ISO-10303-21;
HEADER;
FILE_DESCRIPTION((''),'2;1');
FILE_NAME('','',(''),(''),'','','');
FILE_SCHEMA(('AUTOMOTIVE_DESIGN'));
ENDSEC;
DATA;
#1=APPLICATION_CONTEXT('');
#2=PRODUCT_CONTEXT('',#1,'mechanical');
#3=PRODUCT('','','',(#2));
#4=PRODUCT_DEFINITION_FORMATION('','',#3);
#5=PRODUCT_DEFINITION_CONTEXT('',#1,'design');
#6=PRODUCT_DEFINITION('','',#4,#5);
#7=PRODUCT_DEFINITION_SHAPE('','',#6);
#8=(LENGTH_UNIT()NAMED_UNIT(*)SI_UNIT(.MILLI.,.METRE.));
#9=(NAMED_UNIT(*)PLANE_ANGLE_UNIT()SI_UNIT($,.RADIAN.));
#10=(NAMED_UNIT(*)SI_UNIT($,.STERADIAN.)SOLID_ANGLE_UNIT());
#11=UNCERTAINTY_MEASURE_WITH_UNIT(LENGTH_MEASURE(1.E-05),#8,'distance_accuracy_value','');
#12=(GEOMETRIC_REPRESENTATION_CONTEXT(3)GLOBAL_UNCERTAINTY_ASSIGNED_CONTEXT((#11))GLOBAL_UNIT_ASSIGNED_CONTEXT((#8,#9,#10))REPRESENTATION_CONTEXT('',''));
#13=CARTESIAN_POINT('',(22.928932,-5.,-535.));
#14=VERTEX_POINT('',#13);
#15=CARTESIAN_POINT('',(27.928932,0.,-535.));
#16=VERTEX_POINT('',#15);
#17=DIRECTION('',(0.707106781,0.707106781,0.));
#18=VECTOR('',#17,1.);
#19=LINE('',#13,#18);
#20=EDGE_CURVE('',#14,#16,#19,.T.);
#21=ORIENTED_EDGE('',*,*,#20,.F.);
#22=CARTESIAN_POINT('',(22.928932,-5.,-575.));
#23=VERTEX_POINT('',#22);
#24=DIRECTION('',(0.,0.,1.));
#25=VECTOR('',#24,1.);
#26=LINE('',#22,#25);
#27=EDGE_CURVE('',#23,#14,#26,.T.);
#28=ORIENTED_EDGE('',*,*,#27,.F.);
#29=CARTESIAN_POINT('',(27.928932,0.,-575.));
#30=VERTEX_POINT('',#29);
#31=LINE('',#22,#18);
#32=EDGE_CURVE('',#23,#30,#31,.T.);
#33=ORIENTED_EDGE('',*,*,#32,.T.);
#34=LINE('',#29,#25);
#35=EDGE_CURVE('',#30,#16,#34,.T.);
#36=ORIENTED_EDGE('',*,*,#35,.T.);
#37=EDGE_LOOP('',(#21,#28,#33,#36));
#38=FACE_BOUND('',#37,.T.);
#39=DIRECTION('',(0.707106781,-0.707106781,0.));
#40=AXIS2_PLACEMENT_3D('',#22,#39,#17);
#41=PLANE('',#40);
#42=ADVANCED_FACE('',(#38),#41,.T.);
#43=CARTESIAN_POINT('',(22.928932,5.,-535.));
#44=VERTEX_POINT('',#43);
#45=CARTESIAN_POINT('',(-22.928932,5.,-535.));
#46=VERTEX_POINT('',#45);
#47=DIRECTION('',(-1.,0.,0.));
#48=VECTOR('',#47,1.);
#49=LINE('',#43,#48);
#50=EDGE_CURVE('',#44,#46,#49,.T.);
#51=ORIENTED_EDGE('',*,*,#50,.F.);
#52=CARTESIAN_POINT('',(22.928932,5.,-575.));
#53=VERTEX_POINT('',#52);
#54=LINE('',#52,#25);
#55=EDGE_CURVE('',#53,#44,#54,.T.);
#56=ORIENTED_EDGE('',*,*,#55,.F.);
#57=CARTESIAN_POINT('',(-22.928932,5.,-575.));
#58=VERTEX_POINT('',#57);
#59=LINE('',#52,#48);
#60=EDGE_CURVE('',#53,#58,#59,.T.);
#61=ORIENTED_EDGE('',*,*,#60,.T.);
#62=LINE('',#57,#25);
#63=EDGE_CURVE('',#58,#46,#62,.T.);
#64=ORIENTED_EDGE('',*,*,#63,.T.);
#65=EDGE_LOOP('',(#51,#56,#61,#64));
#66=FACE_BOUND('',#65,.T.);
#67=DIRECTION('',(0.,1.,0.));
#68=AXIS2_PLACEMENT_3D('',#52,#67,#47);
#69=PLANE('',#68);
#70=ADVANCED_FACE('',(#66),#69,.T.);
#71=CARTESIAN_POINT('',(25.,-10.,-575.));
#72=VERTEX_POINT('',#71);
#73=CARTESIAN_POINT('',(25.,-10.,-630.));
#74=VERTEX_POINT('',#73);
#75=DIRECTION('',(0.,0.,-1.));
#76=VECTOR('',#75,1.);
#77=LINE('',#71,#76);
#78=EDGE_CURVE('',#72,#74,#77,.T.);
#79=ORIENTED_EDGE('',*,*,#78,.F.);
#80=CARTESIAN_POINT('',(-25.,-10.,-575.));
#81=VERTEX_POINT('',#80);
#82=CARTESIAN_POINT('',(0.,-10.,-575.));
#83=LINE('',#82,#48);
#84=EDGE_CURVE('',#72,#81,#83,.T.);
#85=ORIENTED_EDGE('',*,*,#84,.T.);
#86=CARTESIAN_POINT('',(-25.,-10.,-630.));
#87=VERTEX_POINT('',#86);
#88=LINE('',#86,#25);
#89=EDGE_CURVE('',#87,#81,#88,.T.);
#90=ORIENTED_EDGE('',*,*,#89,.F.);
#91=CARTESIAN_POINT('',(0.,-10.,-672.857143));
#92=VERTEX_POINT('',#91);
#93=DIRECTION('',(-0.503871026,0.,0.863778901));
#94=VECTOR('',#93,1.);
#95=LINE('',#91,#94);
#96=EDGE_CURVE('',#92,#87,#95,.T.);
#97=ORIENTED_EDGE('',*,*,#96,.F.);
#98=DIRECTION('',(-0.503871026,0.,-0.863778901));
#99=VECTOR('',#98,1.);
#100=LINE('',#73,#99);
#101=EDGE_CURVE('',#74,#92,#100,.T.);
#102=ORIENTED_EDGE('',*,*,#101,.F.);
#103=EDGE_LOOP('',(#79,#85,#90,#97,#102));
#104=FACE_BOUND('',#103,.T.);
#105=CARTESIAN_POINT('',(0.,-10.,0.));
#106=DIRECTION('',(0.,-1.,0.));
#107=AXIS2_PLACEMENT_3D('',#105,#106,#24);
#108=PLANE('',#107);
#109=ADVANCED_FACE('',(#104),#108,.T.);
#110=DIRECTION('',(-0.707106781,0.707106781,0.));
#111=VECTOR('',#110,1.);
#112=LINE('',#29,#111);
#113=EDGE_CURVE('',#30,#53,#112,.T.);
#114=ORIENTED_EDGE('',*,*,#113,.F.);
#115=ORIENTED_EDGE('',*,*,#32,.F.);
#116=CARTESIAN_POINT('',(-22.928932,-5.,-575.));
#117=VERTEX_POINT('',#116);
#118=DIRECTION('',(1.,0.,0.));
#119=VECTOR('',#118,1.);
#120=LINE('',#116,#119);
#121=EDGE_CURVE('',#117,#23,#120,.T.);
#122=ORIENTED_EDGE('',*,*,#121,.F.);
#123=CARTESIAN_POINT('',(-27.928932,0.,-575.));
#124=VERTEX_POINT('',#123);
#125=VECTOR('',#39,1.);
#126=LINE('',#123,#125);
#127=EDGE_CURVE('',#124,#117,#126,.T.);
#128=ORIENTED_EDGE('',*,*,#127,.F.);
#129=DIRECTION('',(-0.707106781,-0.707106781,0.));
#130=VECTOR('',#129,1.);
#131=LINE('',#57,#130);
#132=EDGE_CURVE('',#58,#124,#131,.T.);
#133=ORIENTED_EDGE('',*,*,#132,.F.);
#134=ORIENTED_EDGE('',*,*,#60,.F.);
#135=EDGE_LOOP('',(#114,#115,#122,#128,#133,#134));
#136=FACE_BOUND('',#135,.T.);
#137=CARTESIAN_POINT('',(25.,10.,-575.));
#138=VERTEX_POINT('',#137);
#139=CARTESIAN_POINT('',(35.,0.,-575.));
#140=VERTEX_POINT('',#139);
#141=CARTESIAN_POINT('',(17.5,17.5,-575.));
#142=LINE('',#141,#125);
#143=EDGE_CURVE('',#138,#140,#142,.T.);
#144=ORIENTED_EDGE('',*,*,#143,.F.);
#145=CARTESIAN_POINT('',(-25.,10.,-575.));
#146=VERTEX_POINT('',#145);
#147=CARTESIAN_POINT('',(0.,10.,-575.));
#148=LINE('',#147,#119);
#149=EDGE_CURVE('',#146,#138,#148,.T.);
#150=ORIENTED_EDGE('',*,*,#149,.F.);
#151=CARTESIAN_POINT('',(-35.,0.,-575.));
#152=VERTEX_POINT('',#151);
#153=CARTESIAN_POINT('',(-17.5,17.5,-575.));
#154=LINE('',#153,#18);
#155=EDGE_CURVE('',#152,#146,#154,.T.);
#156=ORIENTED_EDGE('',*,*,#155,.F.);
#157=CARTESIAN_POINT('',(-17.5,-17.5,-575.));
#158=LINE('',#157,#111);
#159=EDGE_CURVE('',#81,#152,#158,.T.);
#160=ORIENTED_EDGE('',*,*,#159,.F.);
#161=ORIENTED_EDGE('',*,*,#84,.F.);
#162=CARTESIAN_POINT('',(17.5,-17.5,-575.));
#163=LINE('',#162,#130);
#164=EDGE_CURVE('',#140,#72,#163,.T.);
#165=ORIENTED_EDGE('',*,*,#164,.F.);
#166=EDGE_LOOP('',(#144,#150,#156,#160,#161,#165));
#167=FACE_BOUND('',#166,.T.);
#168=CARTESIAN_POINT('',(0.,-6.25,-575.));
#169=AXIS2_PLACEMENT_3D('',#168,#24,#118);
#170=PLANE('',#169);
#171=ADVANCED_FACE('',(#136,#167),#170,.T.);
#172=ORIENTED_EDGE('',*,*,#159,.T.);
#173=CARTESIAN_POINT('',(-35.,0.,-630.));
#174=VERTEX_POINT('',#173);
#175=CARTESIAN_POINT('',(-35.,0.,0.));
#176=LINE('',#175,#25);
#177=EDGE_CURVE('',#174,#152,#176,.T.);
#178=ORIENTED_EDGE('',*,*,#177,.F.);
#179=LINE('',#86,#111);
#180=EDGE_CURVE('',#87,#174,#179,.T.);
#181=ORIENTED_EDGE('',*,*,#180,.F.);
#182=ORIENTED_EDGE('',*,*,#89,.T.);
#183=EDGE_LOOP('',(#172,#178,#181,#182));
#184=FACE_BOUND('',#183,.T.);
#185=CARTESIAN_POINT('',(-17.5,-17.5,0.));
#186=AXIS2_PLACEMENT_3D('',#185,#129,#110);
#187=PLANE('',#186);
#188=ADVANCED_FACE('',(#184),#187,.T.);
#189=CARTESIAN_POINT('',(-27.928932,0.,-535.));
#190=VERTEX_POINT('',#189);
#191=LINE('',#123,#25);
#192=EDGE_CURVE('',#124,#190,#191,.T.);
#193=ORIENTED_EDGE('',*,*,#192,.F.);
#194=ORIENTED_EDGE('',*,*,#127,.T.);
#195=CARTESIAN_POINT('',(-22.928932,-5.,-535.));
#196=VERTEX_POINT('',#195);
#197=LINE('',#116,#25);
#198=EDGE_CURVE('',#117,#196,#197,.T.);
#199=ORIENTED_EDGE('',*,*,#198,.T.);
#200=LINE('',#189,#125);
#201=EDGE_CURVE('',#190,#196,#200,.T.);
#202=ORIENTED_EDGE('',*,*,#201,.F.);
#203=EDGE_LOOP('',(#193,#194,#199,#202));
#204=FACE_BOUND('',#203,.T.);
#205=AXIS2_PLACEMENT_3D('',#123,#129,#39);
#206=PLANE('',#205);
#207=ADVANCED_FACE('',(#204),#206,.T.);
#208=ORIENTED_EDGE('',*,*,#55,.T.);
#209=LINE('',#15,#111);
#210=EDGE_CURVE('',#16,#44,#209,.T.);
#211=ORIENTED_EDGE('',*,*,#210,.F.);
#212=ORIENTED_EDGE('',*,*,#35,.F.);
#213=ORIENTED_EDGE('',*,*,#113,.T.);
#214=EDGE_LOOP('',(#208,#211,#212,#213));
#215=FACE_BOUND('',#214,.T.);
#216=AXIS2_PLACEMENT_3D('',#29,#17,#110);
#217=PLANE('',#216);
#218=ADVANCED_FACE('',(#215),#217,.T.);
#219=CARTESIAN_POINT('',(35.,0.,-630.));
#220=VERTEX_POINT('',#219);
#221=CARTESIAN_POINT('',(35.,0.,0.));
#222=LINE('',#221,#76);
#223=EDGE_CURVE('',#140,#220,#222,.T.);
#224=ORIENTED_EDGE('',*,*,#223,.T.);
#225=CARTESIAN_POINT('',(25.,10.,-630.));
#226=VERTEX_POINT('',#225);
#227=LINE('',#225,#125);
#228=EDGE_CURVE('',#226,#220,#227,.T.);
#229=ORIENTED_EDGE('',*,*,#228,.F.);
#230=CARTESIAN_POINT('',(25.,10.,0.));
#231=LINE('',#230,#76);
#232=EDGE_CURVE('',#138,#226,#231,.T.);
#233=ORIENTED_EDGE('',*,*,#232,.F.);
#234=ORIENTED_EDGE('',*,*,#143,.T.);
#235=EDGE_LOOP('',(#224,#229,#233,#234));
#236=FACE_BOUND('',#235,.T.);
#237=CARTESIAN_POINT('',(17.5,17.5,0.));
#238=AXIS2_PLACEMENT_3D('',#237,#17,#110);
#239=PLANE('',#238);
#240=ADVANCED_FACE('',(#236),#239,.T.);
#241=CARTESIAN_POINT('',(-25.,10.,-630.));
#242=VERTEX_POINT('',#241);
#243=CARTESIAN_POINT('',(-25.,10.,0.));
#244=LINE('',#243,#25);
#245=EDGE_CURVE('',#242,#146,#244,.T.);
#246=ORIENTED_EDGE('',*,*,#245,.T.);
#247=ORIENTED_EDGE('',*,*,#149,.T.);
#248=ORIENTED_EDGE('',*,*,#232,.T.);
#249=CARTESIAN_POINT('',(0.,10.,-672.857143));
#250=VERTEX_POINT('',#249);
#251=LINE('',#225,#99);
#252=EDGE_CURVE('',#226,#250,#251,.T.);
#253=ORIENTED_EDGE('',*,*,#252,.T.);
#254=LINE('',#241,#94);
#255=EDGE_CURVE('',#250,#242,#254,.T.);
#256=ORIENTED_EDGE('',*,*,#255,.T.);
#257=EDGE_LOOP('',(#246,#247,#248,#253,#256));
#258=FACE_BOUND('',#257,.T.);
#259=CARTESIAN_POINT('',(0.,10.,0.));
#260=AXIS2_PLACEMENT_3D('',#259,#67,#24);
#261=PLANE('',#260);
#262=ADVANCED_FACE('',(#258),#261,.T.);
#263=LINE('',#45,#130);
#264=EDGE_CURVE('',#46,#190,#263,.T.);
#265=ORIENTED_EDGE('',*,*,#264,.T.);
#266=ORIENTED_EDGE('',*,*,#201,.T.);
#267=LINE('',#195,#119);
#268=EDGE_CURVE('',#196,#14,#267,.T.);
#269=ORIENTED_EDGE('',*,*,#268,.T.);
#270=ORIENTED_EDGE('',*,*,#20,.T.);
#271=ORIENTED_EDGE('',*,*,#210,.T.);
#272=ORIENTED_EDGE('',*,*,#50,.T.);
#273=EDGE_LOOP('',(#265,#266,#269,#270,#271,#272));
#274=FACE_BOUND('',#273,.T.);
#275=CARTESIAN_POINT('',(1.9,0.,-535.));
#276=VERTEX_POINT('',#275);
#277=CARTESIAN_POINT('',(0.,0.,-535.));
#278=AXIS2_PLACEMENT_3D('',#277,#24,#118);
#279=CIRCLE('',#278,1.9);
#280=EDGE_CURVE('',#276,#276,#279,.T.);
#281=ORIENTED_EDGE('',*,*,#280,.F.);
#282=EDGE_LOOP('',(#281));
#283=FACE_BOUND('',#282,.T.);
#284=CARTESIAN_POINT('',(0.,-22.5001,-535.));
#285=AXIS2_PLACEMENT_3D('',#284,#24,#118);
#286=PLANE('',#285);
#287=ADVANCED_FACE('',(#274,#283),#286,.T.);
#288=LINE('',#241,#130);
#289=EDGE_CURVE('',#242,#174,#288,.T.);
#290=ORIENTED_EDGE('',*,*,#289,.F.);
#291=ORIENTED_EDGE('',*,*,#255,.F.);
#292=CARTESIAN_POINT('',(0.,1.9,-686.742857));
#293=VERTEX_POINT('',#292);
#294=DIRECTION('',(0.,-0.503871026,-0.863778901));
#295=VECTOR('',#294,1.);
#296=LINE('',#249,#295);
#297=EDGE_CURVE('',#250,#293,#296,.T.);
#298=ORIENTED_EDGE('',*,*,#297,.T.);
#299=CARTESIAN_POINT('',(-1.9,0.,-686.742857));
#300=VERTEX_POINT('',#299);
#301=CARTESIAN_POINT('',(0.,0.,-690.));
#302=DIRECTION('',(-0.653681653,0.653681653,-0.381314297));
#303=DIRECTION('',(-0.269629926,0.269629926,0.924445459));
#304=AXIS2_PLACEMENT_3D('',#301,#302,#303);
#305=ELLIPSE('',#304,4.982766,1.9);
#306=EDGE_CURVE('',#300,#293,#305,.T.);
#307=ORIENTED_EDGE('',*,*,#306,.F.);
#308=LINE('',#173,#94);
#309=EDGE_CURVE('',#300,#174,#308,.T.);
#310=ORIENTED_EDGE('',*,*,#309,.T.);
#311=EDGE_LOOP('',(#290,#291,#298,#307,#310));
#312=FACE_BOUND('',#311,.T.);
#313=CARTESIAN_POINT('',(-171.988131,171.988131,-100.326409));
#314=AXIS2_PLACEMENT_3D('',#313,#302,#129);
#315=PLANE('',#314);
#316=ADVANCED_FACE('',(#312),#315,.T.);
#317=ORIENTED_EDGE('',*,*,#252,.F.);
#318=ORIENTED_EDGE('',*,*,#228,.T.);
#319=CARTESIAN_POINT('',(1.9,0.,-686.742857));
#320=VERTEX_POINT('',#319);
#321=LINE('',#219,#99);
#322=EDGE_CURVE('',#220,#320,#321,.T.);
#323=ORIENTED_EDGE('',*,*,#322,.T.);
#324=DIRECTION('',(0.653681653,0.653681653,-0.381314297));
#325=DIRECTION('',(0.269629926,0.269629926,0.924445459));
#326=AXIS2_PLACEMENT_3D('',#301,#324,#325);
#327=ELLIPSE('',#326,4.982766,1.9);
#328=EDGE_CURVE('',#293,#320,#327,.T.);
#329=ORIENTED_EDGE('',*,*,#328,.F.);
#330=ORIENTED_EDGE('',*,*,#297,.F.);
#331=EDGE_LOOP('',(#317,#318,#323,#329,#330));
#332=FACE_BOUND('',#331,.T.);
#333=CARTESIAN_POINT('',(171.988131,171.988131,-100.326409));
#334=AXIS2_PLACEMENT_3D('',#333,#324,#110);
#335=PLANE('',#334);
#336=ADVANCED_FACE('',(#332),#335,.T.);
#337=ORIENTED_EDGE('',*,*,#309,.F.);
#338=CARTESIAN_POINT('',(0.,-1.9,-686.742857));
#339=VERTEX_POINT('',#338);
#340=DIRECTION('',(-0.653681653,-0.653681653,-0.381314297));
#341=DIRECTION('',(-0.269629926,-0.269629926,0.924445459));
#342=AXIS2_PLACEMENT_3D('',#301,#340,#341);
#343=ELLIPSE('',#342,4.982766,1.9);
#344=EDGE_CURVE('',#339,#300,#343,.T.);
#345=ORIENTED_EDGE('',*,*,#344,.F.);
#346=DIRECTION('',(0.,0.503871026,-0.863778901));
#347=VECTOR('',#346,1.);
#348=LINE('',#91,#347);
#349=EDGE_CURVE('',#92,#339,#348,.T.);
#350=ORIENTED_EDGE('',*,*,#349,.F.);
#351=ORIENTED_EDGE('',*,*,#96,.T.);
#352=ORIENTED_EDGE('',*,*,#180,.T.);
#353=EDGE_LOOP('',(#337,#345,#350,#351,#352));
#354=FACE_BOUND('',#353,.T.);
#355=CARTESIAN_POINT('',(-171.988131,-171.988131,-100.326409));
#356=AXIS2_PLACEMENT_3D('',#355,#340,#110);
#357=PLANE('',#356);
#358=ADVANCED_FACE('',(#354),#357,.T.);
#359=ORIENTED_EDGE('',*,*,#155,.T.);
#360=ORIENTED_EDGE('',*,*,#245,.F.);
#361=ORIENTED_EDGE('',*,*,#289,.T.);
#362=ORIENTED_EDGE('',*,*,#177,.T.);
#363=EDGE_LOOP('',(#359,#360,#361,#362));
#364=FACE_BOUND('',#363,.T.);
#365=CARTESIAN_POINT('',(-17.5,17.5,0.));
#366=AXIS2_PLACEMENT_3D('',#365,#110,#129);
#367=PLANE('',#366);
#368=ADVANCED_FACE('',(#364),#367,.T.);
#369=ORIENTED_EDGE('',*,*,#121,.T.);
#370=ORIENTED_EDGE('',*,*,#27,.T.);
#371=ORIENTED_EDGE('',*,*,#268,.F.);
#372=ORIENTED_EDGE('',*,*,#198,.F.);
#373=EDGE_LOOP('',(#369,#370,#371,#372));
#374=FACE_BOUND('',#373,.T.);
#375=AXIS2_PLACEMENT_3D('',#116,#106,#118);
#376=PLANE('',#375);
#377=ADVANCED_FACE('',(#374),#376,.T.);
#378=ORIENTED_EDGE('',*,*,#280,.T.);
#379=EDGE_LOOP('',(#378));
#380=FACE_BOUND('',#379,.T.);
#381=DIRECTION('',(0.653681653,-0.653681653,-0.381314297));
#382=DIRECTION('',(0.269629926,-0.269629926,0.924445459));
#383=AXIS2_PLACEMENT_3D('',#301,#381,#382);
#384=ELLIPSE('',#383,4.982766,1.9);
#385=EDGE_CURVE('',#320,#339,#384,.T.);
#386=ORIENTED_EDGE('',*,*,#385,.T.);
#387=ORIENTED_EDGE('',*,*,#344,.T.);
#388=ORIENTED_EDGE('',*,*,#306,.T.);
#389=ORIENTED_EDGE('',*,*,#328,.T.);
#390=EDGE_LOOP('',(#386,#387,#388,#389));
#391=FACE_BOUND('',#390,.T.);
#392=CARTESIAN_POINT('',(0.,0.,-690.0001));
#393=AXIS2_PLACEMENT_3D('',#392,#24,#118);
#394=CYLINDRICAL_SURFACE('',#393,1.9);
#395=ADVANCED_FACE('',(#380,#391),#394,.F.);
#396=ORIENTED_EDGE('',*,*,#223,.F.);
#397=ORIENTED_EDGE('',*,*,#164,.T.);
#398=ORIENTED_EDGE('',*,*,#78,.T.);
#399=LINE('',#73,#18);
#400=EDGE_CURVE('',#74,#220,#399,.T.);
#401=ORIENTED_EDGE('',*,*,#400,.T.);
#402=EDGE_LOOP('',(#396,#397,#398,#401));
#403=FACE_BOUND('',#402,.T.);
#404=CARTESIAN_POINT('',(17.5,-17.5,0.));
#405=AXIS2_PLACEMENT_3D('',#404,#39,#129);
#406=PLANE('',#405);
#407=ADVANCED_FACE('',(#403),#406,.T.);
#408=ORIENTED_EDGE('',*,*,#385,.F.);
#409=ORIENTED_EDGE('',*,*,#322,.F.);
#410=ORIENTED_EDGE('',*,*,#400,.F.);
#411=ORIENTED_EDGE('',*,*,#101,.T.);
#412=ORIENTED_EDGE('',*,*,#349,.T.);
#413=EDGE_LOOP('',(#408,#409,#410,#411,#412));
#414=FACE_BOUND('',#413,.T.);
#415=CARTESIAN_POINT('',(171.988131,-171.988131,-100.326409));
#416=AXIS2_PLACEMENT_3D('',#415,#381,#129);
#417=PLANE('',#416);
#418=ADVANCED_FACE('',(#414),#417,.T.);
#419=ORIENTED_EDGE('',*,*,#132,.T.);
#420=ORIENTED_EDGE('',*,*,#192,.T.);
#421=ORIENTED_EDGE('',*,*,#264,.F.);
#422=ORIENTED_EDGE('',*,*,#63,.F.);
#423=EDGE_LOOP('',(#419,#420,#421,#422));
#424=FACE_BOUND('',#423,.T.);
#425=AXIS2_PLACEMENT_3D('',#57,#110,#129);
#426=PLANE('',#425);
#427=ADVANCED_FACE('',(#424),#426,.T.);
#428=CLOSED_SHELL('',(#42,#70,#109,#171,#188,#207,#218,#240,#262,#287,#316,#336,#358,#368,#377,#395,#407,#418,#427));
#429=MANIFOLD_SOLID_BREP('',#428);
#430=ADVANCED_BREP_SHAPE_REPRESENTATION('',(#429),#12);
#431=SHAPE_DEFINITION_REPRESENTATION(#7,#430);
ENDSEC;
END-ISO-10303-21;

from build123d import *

# Parameters (mm, degrees)
EXTRUDE_1_DEPTH          = 18
CHAMFER_1_SIZE           = 5
CHAMFER_2_SIZE           = 5
CUT_EXTRUDE_1_DEPTH      = 8
EXTRUDE_2_REACH          = 696.741
EXTRUDE_2_END_RADIUS     = 240
EXTRUDE_3_DEPTH          = 5
EXTRUDE_4_REACH          = 929.644
EXTRUDE_4_END_RADIUS     = 232
SKETCH_10_R              = 12
CUT_EXTRUDE_7_DEPTH      = 695.872110635
CUT_EXTRUDE_7_DEPTH_BACK = 695.872110635
SKETCH_16_OUTSIDE_W      = 362.68
SKETCH_16_OUTSIDE_H      = 1204.68
SKETCH_16_OUTSIDE_W_2    = 100
SKETCH_16_OUTSIDE_H_2    = 155
SKETCH_21_R              = 1.9
CUT_EXTRUDE_17_DEPTH     = 160.216833407
SKETCH_34_OUTSIDE_W      = 105.66
SKETCH_34_OUTSIDE_H      = 55.66
CUT_EXTRUDE_18_DEPTH     = 40


with BuildPart() as part:
    # 草图4 → 放样1 section 0
    with BuildSketch(Plane(origin=(0, 10, 0), x_dir=(1, 0, 0), z_dir=(0, 1, 0))):
        with BuildLine():
            Line((25, 0), (-25, 0))
            Line((-25, 0), (-25, 630))
            Line((-25, 630), (0, 672.857142857))
            Line((0, 672.857142857), (25, 630))
            Line((25, 630), (25, 0))
        make_face()
    # 草图1 → 放样1 section 1
    with BuildSketch(Plane(origin=(0, 0, 0), x_dir=(1, 0, 0), z_dir=(0, 1, 0))):
        with BuildLine():
            Line((-35, 0), (35, 0))
            Line((35, 0), (35, 630))
            Line((35, 630), (0, 690))
            Line((0, 690), (-35, 630))
            Line((-35, 630), (-35, 0))
        make_face()
    loft_1 = loft()

    # 镜向1: 放样1 across plane
    add(loft_1.mirror(Plane.ZX))



with BuildPart() as body_2:
    # 草图5 → 凸台-拉伸1 (new, symmetric)
    with BuildSketch(Plane(origin=(0, 0, 0), x_dir=(1, 0, 0), z_dir=(0, 1, 0))):
        with BuildLine():
            ThreePointArc((-66.346774613, -65.189169183), (0, -55.5), (66.346774613, -65.189169183))
            ThreePointArc((66.346774613, -65.189169183), (73.061224406, -64.270510235), (76.791165228, -58.612302768))
            ThreePointArc((76.791165228, -58.612302768), (79, -30.5), (76.791165228, -2.387697232))
            ThreePointArc((76.791165228, -2.387697232), (0, -15.004503167), (-76.791165228, -2.387697232))
            ThreePointArc((-76.791165228, -2.387697232), (-79, -30.5), (-76.791165228, -58.612302768))
            ThreePointArc((-76.791165228, -58.612302768), (-73.061224406, -64.270510235), (-66.346774613, -65.189169183))
        make_face()
    extrude(amount=EXTRUDE_1_DEPTH, both=True)

    # 倒角1
    chamfer_1_edges = [body_2.edges().sort_by_distance(p)[0] for p in [
        (0, 18, 15.004503167),
        (-79, 18, 30.5),
        (-73.061224406, 18, 64.270510235),
        (0, 18, 55.5),
        (73.061224406, 18, 64.270510235),
        (0, -18, 55.5),
        (-73.061224406, -18, 64.270510235),
        (-79, -18, 30.5),
        (79, -18, 30.5),
        (73.061224406, -18, 64.270510235),
        (79, 18, 30.5),
    ]]
    chamfer(chamfer_1_edges, length=CHAMFER_1_SIZE)

    # 倒角2
    chamfer_2_edges = [body_2.edges().sort_by_distance(p)[0] for p in [
        (0, -18, 15.004503167),
    ]]
    chamfer(chamfer_2_edges, length=CHAMFER_2_SIZE)

    # 草图6 → 切除-拉伸1 (cut)
    with BuildSketch(Plane(origin=(0, 18, 0), x_dir=(1, 0, 0), z_dir=(0, 1, 0))):
        with BuildLine():
            ThreePointArc((67.221840199, -55.023712607), (68.932610365, -35.286223394), (68.335500378, -15.483731767))
            ThreePointArc((68.335500378, -15.483731767), (0, -25.004503167), (-68.335500378, -15.483731767))
            ThreePointArc((-68.335500378, -15.483731767), (-68.932610365, -35.286223394), (-67.221840199, -55.023712607))
            ThreePointArc((-67.221840199, -55.023712607), (0, -45.5), (67.221840199, -55.023712607))
        make_face()
    cut_extrude_1 = extrude(amount=-CUT_EXTRUDE_1_DEPTH, mode=Mode.SUBTRACT)

    # 镜向2: 切除-拉伸1 across plane
    add(cut_extrude_1.mirror(Plane.ZX), mode=Mode.SUBTRACT)


with BuildPart() as part_1:
    add(part.part)

    add(body_2.part)  # 凸台-拉伸2 merges body 2
    # 凸台-拉伸2: up to this cylinder (the profile starts inside it)
    extrude_2_end = Plane(origin=(0, 0, -224.995496833), z_dir=(0, -1, 0)) * Cylinder(EXTRUDE_2_END_RADIUS, 1874.482, mode=Mode.PRIVATE)
    # 草图7 → 凸台-拉伸2 (add, up to the surface)
    with BuildSketch(Plane.XY, mode=Mode.PRIVATE) as extrude_2_sk1:
        Polygon((-25.828427125, 12), (-37.828427125, 0), (-25.828427125, -12), (25.828427125, -12), (37.828427125, 0), (25.828427125, 12), align=None)
    extrude_2_tool1 = extrude(extrude_2_sk1.sketch, amount=EXTRUDE_2_REACH, mode=Mode.PRIVATE) & extrude_2_end
    add(extrude_2_tool1.solids().sort_by_distance((0, 0, 0))[0])

    # 草图8 → 凸台-拉伸3 (add)
    with BuildSketch(Plane(origin=(0, 0, 0), x_dir=(-1, 0, 0), z_dir=(0, 0, -1))):
        Polygon((25.828427125, 12), (-25.828427125, 12), (-37.828427125, 0), (-25.828427125, -12), (25.828427125, -12), (37.828427125, 0), align=None)
    extrude(amount=EXTRUDE_3_DEPTH)



with BuildPart() as body_2_2:
    # 草图9 → 旋转1 (revolve)
    with BuildSketch(Plane(origin=(0, 0, 0), x_dir=(1, 0, 0), z_dir=(0, 1, 0))):
        Polygon((0, -310), (0, -234), (-12, -234), (-22.5, -256), align=None)
    revolve(axis=Axis((0, 0, -690), (0, 0, 1)))


with BuildPart() as part_2:
    add(part_1.part)

    add(body_2_2.part)  # 凸台-拉伸4 merges body 2 2
    # 凸台-拉伸4: up to this cylinder (the profile starts inside it)
    extrude_4_end = Plane(origin=(0, 0, 287.5), z_dir=(0, -1, 0)) * Cylinder(EXTRUDE_4_END_RADIUS, 2324.288, mode=Mode.PRIVATE)
    # 草图10 → 凸台-拉伸4 (add, up to the surface)
    with BuildSketch(Plane(origin=(0, 0, 234), x_dir=(-1, 0, 0), z_dir=(0, 0, -1)), mode=Mode.PRIVATE) as extrude_4_sk1:
        with Locations(Location((0, 0, 0), (0, 0, 90))):
            Circle(SKETCH_10_R)
    extrude_4_tool1 = extrude(extrude_4_sk1.sketch, amount=EXTRUDE_4_REACH, mode=Mode.PRIVATE) & extrude_4_end
    add(extrude_4_tool1.solids().sort_by_distance((0, 0, 234))[0])

    # 草图16 outside → 切除-拉伸7 (cut, two sides: drawn at the far end of the back side and taken through both)
    with BuildSketch(Plane(origin=(0, 0, 0), x_dir=(1, 0, 0), z_dir=(0, 1, 0)).offset(-CUT_EXTRUDE_7_DEPTH_BACK)):
        with Locations((0, 190)):
            Rectangle(SKETCH_16_OUTSIDE_W, SKETCH_16_OUTSIDE_H)
        with Locations((0, 612.5)):
            Rectangle(SKETCH_16_OUTSIDE_W_2, SKETCH_16_OUTSIDE_H_2, mode=Mode.SUBTRACT)
    extrude(amount=CUT_EXTRUDE_7_DEPTH + CUT_EXTRUDE_7_DEPTH_BACK, mode=Mode.SUBTRACT)

    # 草图21 → 切除-拉伸17 (cut, through all)
    with BuildSketch(Plane.XY.offset(-535)):
        Circle(SKETCH_21_R)
    extrude(amount=-CUT_EXTRUDE_17_DEPTH, mode=Mode.SUBTRACT)

    # 草图34 outside → 切除-拉伸18 (cut)
    with BuildSketch(Plane.XY.offset(-535)):
        Rectangle(SKETCH_34_OUTSIDE_W, SKETCH_34_OUTSIDE_H)
        Polygon((-22.928932188, -5), (22.928932188, -5), (27.928932188, 0), (22.928932188, 5), (-22.928932188, 5), (-27.928932188, 0), align=None, mode=Mode.SUBTRACT)
    extrude(amount=-CUT_EXTRUDE_18_DEPTH, mode=Mode.SUBTRACT)


solid = part_2.part
